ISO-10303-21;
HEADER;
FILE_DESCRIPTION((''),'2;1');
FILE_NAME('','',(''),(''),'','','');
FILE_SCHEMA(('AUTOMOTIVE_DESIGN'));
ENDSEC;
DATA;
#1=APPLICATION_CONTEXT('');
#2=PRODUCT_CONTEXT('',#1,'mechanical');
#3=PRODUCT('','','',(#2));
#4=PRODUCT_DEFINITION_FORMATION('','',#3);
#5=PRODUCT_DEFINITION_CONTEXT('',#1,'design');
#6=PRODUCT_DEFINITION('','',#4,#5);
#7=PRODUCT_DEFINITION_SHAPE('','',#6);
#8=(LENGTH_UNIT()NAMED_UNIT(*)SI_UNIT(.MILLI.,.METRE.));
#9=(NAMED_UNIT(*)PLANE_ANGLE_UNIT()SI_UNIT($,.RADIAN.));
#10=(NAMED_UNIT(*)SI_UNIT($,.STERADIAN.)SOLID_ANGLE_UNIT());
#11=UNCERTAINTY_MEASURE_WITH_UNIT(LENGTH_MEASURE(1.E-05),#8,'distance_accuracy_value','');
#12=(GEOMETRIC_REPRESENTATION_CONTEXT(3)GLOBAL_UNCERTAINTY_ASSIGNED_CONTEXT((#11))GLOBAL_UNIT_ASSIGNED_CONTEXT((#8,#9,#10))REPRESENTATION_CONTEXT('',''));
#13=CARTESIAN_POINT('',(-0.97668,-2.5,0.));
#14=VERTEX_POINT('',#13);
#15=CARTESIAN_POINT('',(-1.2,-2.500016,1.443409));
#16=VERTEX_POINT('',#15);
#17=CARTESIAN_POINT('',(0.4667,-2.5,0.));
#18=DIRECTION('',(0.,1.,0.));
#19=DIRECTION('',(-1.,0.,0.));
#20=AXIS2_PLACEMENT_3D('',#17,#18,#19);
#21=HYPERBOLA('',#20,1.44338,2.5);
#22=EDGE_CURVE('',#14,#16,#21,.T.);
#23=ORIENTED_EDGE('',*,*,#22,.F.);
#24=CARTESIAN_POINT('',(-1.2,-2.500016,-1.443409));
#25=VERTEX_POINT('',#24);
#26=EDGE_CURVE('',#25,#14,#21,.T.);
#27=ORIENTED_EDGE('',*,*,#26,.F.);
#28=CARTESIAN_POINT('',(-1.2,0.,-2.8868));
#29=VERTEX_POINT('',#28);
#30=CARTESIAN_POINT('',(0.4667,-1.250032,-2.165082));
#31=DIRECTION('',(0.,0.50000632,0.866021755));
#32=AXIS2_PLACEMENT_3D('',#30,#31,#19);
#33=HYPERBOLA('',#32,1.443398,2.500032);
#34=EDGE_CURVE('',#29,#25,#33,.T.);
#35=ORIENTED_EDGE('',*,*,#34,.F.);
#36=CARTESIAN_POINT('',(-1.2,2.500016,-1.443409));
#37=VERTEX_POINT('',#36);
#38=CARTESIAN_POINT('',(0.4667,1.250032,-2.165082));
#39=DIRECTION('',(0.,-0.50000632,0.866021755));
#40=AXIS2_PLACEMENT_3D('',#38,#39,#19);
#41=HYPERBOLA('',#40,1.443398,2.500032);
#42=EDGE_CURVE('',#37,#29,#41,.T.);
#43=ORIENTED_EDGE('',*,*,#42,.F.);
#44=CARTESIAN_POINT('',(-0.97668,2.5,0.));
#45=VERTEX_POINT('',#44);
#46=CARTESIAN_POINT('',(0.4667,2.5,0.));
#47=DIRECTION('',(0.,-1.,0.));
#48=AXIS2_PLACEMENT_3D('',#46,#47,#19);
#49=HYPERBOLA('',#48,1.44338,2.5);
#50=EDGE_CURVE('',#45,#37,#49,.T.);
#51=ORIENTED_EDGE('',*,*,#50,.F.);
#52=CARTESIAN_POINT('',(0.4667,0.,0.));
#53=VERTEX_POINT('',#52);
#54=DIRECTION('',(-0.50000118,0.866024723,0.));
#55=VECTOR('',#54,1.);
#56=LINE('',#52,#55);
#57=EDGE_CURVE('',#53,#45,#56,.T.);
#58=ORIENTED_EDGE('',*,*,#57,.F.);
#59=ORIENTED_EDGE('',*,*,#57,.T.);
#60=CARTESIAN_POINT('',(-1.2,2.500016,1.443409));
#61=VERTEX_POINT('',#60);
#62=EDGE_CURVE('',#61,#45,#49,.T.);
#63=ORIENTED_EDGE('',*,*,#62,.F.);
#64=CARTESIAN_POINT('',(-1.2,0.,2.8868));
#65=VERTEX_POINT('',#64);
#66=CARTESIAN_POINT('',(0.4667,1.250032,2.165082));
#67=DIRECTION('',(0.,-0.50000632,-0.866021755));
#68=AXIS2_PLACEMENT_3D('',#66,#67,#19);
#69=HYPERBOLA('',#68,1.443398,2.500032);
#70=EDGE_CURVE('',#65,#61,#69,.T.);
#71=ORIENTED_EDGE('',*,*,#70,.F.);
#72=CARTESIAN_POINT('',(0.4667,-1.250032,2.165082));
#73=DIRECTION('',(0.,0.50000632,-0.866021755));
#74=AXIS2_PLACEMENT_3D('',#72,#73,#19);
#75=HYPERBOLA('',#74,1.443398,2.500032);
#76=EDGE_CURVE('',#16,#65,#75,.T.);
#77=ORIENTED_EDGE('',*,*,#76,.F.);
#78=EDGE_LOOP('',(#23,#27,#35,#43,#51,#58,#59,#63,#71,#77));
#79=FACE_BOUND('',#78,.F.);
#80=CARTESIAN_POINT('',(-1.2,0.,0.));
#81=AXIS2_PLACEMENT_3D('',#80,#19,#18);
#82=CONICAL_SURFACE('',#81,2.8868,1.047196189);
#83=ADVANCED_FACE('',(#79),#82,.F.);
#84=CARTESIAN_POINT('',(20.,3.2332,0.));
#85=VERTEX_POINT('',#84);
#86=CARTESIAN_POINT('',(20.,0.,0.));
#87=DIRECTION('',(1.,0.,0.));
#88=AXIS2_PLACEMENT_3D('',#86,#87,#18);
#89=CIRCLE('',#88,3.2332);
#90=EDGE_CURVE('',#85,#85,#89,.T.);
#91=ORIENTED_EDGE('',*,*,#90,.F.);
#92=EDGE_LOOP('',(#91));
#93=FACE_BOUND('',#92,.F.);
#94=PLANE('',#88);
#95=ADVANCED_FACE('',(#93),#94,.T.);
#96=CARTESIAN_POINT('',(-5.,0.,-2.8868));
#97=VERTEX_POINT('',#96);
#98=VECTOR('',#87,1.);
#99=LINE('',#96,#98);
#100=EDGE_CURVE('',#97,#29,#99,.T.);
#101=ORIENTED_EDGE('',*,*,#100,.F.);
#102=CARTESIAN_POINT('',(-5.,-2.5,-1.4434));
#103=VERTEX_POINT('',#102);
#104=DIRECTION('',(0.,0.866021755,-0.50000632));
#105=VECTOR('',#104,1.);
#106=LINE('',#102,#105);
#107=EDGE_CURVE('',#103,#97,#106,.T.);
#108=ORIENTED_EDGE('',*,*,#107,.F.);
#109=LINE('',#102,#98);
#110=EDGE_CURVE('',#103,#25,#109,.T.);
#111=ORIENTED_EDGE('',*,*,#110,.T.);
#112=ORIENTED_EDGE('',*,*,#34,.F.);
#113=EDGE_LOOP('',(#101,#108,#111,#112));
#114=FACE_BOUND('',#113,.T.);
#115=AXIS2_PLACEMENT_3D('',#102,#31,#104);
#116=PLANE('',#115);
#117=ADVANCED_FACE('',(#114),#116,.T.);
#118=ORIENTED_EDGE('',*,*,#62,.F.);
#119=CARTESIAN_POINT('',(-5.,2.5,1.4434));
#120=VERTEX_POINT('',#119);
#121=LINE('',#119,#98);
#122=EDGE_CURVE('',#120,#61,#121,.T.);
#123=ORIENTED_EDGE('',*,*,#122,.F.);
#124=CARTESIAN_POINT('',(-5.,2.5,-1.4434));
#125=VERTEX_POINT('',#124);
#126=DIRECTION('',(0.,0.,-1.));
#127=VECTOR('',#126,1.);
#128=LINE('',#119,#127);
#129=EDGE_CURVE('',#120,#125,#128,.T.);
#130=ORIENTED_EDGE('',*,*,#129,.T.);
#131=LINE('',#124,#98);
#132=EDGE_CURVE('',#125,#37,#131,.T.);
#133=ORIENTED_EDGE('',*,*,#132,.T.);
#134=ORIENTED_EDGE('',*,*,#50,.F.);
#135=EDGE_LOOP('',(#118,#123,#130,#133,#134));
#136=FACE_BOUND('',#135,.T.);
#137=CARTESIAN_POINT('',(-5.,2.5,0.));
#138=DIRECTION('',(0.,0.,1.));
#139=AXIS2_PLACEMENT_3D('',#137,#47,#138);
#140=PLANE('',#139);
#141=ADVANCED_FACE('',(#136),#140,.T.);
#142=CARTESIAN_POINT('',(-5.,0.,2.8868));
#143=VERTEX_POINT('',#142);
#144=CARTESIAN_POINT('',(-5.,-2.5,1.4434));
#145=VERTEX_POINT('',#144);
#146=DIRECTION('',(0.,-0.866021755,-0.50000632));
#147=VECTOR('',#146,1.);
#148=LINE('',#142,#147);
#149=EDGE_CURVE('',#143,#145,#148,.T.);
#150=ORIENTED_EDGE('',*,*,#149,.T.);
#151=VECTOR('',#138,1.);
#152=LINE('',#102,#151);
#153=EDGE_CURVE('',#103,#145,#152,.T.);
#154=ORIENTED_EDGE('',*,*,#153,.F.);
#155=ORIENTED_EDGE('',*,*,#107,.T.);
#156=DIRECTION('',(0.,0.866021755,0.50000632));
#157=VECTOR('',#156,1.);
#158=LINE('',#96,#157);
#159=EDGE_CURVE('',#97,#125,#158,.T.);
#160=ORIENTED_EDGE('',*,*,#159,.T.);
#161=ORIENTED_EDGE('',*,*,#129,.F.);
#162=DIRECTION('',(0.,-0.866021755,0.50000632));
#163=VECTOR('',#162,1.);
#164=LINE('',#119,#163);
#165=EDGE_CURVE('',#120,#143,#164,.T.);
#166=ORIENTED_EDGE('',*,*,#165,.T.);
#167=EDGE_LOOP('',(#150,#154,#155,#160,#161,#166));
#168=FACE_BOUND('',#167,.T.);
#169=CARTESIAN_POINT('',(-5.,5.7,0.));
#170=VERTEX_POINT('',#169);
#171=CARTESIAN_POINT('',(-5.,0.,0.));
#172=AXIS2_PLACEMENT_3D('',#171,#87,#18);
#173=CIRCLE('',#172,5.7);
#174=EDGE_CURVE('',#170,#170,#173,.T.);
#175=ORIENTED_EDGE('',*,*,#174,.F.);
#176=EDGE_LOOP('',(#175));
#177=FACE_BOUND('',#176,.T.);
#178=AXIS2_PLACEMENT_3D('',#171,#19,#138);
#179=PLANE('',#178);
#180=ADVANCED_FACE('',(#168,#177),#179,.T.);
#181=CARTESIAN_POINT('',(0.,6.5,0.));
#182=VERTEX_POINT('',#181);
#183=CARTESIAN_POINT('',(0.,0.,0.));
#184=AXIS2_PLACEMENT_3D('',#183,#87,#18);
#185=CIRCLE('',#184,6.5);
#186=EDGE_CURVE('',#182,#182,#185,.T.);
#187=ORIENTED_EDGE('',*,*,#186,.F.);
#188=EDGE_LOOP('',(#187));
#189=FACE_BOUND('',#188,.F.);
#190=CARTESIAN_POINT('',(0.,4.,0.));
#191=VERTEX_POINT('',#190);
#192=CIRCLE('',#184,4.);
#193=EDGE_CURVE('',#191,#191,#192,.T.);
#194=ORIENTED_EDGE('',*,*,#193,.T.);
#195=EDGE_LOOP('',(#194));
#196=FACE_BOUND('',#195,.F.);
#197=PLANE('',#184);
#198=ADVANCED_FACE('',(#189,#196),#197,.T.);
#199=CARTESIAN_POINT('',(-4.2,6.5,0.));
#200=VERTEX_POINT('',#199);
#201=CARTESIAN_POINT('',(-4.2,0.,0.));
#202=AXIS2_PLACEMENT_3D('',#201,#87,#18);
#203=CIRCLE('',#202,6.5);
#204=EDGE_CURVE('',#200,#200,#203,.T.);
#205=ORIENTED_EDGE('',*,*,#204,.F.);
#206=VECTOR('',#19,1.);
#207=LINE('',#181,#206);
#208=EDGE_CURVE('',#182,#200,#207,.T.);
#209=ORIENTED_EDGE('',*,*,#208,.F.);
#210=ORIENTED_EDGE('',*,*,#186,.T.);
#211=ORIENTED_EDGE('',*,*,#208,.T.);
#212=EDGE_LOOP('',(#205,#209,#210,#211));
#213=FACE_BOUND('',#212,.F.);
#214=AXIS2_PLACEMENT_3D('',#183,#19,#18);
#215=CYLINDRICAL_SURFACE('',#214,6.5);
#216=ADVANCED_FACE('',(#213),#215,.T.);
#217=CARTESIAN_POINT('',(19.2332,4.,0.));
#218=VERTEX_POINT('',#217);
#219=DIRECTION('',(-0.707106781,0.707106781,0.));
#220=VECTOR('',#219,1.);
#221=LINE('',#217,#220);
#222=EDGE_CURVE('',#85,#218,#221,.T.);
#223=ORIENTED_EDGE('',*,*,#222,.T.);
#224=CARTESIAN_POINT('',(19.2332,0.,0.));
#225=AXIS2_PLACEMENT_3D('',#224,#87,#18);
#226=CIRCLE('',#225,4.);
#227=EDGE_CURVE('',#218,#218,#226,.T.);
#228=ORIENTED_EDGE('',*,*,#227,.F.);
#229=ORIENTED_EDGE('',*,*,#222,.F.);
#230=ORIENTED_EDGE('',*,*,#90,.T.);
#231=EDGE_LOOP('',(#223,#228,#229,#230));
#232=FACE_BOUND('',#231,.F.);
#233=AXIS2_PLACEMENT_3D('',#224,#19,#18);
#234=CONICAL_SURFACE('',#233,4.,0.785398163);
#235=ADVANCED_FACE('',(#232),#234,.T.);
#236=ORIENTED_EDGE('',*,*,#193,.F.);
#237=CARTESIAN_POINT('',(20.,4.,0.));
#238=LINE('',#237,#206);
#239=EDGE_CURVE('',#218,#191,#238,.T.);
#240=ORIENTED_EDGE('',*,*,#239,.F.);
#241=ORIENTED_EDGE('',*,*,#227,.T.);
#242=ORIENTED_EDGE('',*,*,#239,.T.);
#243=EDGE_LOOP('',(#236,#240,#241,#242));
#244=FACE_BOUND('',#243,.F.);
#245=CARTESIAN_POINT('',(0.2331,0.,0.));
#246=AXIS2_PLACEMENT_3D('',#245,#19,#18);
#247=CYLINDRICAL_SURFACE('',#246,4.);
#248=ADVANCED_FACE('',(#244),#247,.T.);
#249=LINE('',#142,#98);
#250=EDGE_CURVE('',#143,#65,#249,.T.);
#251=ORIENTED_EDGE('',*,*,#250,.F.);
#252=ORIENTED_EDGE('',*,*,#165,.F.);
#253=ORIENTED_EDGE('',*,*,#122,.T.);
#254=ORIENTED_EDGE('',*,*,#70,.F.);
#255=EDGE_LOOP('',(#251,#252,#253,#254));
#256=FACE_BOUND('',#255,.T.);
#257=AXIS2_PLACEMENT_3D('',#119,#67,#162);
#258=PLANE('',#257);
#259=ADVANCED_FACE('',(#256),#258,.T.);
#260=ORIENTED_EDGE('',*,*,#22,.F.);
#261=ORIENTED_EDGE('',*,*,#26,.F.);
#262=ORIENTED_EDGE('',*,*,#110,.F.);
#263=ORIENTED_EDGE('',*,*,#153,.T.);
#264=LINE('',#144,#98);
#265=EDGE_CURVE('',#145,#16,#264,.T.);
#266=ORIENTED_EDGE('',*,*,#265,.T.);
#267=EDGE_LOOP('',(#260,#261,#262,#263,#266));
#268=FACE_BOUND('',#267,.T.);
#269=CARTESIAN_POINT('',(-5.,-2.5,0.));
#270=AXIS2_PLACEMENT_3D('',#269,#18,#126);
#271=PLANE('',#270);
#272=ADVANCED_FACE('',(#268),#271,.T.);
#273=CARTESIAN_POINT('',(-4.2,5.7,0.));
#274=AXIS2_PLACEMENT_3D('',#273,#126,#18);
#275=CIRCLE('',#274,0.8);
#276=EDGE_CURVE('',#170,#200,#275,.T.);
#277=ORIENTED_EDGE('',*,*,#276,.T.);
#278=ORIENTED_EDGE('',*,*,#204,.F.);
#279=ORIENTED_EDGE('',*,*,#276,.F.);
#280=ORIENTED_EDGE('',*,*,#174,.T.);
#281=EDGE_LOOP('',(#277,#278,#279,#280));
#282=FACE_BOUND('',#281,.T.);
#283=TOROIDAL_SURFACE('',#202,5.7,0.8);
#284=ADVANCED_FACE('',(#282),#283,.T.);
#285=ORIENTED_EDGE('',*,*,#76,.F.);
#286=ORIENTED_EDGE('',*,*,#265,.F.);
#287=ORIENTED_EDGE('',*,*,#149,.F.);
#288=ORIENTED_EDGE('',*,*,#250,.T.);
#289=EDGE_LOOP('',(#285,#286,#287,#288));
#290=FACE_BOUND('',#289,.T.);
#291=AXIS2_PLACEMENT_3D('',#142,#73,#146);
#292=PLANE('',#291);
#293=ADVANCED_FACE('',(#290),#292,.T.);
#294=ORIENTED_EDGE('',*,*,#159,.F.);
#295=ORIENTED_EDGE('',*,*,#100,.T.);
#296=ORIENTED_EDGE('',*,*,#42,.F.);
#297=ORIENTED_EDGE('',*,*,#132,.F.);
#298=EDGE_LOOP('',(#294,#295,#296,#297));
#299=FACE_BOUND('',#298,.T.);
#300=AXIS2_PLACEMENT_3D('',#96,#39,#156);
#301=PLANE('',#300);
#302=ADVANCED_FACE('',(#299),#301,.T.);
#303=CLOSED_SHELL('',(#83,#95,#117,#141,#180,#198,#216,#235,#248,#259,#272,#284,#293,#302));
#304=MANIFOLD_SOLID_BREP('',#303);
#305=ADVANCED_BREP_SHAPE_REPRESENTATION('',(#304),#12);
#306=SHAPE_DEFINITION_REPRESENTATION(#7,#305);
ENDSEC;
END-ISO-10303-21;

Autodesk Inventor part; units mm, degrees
ref_plane "YZ Plane" through (0, 0, 0) normal (1, 0, 0) x (0, 1, 0)
ref_plane "XZ Plane" through (0, 0, 0) normal (0, 1, 0) x (-1, 0, 0)
sketch "Sketch1" plane through (0, 0, 0) normal (0, 0, 1) x (1, 0, 0)
  line L0 (0.4667, 0) -> (20, 0)
  line L1 (20, 0) -> (20, 4)
  line L2 (20, 4) -> (1, 4)
  line L3 (1, 4) -> (0.2331, 4)
  line L4 (0.2331, 4) -> (0, 4)
  line L5 (0, 4) -> (0, 6.5)
  line L6 (0, 6.5) -> (-5, 6.5)
  line L7 (-5, 6.5) -> (-5, 2.8868)
  line L8 (-5, 2.8868) -> (-1.2, 2.8868)
  line L9 (-1.2, 2.8868) -> (0.4667, 0)
  line L10 (-7.5, 0) -> (27.5, 0) projected
  line L11 (0, -0.65) -> (0, 8.45) projected
  line L12 (1, 4) -> (0, 4) construction
  dimension "d1" = 19
  dimension "d2" = 0.7669
  dimension "d3" = 5
  dimension "d4" = 3.8
  dimension "d5" = 60
  dimension "d6" = 8
  dimension "d7" = 8
  dimension "d8" = 5.7735
  dimension "d9" = 13
  dimension "d26" = 20
revolve "Body" add sketch "Sketch1" angle 360 about axis through (0.4667, 0, 0) along (1, 0, 0) contours L9 L11 L4 L3 L2 L1 L0 | L9 L8 L7 L6 L5 L11
sketch "Sketch2" plane through (-5, 0, 0) normal (-1, 0, 0) x (0, 0, 1)
  circle A0 centre (0, 0) radius 2.8868 projected
  line L0 (0, -7.8) -> (0, 10.4) projected
  line L1 (-7.8, 0) -> (10.4, 0) projected
  line L2 (2.8868, 0) -> (1.4434, -2.5)
  line L3 (1.4434, -2.5) -> (-1.4434, -2.5)
  line L4 (-1.4434, -2.5) -> (-2.8868, 0)
  line L5 (-2.8868, 0) -> (-1.4434, 2.5)
  line L6 (-1.4434, 2.5) -> (1.4434, 2.5)
  line L7 (1.4434, 2.5) -> (2.8868, 0)
  point P0 (0, 0)
extrude "Slot" add sketch "Sketch2" against normal up to next contours L7 A0 | A0 L2 | L6 L0 A0 | A0 L0 L3 | L0 L6 A0 | A0 L3 L0 | L4 A0 | A0 L5
fillet "Fillet1" radius 0.8 1 edges at (-5, -6.5, 0)
thread "Thread" size "M8x1.25" class "6g" standard "ISO Metric profile" length 20
chamfer "Chamfer1" distance 0.7668 distance2 0.7668 1 edges at (20, -4, 0) measured on face at (20, -0.0467, 2.2623)
ref_plane "Work Plane1" through (29, 0, 0) normal (0, -1, 0) x (1, 0, 0)
equation "\"d17\" = RR"
equation "\"d15\" = -0.5 * SPD + 0.5 * GD"
equation "\"d16\" = GUL"
equation "\"d1\" = GEL"
equation "\"d3\" = KOH"
equation "\"d4\" = INTI"
equation "\"d6\" = GD"
equation "\"d7\" = BDM"
equation "\"d8\" = 1.1547 * SW"
equation "\"d9\" = KOD"
equation "\"d26\" = NLG"
equation "\"GD\" = NND"
equation "\"NLG\" = 20"
equation "\"GEL\" = 19"
equation "\"KOD\" = 13"
equation "\"KOH\" = 5"
equation "\"INTI\" = 3.8"
equation "\"GAL\" = 0.61345 * PTC"
equation "\"GUL\" = 0.61345 * PTC"
equation "\"BDM\" = NND"
equation "\"SW\" = 5"
equation "\"RR\" = 0.8"
equation "\"SPD\" = NND - 1.2269 * PTC"
equation "\"TOA\" = 30deg"
equation "\"GD1\" = THREADDIA - 1.2269 * PTC"
equation "\"THREADDIA\" = 8"
equation "\"FAWI\" = 45deg"
equation "\"ANG\" = 120deg"
equation "\"PTC\" = 1.25"
equation "\"NND\" = 8"
equation "\"E0\" = 1.155 * SW"
properties part number "21.1202" material "Steel, Mild"
